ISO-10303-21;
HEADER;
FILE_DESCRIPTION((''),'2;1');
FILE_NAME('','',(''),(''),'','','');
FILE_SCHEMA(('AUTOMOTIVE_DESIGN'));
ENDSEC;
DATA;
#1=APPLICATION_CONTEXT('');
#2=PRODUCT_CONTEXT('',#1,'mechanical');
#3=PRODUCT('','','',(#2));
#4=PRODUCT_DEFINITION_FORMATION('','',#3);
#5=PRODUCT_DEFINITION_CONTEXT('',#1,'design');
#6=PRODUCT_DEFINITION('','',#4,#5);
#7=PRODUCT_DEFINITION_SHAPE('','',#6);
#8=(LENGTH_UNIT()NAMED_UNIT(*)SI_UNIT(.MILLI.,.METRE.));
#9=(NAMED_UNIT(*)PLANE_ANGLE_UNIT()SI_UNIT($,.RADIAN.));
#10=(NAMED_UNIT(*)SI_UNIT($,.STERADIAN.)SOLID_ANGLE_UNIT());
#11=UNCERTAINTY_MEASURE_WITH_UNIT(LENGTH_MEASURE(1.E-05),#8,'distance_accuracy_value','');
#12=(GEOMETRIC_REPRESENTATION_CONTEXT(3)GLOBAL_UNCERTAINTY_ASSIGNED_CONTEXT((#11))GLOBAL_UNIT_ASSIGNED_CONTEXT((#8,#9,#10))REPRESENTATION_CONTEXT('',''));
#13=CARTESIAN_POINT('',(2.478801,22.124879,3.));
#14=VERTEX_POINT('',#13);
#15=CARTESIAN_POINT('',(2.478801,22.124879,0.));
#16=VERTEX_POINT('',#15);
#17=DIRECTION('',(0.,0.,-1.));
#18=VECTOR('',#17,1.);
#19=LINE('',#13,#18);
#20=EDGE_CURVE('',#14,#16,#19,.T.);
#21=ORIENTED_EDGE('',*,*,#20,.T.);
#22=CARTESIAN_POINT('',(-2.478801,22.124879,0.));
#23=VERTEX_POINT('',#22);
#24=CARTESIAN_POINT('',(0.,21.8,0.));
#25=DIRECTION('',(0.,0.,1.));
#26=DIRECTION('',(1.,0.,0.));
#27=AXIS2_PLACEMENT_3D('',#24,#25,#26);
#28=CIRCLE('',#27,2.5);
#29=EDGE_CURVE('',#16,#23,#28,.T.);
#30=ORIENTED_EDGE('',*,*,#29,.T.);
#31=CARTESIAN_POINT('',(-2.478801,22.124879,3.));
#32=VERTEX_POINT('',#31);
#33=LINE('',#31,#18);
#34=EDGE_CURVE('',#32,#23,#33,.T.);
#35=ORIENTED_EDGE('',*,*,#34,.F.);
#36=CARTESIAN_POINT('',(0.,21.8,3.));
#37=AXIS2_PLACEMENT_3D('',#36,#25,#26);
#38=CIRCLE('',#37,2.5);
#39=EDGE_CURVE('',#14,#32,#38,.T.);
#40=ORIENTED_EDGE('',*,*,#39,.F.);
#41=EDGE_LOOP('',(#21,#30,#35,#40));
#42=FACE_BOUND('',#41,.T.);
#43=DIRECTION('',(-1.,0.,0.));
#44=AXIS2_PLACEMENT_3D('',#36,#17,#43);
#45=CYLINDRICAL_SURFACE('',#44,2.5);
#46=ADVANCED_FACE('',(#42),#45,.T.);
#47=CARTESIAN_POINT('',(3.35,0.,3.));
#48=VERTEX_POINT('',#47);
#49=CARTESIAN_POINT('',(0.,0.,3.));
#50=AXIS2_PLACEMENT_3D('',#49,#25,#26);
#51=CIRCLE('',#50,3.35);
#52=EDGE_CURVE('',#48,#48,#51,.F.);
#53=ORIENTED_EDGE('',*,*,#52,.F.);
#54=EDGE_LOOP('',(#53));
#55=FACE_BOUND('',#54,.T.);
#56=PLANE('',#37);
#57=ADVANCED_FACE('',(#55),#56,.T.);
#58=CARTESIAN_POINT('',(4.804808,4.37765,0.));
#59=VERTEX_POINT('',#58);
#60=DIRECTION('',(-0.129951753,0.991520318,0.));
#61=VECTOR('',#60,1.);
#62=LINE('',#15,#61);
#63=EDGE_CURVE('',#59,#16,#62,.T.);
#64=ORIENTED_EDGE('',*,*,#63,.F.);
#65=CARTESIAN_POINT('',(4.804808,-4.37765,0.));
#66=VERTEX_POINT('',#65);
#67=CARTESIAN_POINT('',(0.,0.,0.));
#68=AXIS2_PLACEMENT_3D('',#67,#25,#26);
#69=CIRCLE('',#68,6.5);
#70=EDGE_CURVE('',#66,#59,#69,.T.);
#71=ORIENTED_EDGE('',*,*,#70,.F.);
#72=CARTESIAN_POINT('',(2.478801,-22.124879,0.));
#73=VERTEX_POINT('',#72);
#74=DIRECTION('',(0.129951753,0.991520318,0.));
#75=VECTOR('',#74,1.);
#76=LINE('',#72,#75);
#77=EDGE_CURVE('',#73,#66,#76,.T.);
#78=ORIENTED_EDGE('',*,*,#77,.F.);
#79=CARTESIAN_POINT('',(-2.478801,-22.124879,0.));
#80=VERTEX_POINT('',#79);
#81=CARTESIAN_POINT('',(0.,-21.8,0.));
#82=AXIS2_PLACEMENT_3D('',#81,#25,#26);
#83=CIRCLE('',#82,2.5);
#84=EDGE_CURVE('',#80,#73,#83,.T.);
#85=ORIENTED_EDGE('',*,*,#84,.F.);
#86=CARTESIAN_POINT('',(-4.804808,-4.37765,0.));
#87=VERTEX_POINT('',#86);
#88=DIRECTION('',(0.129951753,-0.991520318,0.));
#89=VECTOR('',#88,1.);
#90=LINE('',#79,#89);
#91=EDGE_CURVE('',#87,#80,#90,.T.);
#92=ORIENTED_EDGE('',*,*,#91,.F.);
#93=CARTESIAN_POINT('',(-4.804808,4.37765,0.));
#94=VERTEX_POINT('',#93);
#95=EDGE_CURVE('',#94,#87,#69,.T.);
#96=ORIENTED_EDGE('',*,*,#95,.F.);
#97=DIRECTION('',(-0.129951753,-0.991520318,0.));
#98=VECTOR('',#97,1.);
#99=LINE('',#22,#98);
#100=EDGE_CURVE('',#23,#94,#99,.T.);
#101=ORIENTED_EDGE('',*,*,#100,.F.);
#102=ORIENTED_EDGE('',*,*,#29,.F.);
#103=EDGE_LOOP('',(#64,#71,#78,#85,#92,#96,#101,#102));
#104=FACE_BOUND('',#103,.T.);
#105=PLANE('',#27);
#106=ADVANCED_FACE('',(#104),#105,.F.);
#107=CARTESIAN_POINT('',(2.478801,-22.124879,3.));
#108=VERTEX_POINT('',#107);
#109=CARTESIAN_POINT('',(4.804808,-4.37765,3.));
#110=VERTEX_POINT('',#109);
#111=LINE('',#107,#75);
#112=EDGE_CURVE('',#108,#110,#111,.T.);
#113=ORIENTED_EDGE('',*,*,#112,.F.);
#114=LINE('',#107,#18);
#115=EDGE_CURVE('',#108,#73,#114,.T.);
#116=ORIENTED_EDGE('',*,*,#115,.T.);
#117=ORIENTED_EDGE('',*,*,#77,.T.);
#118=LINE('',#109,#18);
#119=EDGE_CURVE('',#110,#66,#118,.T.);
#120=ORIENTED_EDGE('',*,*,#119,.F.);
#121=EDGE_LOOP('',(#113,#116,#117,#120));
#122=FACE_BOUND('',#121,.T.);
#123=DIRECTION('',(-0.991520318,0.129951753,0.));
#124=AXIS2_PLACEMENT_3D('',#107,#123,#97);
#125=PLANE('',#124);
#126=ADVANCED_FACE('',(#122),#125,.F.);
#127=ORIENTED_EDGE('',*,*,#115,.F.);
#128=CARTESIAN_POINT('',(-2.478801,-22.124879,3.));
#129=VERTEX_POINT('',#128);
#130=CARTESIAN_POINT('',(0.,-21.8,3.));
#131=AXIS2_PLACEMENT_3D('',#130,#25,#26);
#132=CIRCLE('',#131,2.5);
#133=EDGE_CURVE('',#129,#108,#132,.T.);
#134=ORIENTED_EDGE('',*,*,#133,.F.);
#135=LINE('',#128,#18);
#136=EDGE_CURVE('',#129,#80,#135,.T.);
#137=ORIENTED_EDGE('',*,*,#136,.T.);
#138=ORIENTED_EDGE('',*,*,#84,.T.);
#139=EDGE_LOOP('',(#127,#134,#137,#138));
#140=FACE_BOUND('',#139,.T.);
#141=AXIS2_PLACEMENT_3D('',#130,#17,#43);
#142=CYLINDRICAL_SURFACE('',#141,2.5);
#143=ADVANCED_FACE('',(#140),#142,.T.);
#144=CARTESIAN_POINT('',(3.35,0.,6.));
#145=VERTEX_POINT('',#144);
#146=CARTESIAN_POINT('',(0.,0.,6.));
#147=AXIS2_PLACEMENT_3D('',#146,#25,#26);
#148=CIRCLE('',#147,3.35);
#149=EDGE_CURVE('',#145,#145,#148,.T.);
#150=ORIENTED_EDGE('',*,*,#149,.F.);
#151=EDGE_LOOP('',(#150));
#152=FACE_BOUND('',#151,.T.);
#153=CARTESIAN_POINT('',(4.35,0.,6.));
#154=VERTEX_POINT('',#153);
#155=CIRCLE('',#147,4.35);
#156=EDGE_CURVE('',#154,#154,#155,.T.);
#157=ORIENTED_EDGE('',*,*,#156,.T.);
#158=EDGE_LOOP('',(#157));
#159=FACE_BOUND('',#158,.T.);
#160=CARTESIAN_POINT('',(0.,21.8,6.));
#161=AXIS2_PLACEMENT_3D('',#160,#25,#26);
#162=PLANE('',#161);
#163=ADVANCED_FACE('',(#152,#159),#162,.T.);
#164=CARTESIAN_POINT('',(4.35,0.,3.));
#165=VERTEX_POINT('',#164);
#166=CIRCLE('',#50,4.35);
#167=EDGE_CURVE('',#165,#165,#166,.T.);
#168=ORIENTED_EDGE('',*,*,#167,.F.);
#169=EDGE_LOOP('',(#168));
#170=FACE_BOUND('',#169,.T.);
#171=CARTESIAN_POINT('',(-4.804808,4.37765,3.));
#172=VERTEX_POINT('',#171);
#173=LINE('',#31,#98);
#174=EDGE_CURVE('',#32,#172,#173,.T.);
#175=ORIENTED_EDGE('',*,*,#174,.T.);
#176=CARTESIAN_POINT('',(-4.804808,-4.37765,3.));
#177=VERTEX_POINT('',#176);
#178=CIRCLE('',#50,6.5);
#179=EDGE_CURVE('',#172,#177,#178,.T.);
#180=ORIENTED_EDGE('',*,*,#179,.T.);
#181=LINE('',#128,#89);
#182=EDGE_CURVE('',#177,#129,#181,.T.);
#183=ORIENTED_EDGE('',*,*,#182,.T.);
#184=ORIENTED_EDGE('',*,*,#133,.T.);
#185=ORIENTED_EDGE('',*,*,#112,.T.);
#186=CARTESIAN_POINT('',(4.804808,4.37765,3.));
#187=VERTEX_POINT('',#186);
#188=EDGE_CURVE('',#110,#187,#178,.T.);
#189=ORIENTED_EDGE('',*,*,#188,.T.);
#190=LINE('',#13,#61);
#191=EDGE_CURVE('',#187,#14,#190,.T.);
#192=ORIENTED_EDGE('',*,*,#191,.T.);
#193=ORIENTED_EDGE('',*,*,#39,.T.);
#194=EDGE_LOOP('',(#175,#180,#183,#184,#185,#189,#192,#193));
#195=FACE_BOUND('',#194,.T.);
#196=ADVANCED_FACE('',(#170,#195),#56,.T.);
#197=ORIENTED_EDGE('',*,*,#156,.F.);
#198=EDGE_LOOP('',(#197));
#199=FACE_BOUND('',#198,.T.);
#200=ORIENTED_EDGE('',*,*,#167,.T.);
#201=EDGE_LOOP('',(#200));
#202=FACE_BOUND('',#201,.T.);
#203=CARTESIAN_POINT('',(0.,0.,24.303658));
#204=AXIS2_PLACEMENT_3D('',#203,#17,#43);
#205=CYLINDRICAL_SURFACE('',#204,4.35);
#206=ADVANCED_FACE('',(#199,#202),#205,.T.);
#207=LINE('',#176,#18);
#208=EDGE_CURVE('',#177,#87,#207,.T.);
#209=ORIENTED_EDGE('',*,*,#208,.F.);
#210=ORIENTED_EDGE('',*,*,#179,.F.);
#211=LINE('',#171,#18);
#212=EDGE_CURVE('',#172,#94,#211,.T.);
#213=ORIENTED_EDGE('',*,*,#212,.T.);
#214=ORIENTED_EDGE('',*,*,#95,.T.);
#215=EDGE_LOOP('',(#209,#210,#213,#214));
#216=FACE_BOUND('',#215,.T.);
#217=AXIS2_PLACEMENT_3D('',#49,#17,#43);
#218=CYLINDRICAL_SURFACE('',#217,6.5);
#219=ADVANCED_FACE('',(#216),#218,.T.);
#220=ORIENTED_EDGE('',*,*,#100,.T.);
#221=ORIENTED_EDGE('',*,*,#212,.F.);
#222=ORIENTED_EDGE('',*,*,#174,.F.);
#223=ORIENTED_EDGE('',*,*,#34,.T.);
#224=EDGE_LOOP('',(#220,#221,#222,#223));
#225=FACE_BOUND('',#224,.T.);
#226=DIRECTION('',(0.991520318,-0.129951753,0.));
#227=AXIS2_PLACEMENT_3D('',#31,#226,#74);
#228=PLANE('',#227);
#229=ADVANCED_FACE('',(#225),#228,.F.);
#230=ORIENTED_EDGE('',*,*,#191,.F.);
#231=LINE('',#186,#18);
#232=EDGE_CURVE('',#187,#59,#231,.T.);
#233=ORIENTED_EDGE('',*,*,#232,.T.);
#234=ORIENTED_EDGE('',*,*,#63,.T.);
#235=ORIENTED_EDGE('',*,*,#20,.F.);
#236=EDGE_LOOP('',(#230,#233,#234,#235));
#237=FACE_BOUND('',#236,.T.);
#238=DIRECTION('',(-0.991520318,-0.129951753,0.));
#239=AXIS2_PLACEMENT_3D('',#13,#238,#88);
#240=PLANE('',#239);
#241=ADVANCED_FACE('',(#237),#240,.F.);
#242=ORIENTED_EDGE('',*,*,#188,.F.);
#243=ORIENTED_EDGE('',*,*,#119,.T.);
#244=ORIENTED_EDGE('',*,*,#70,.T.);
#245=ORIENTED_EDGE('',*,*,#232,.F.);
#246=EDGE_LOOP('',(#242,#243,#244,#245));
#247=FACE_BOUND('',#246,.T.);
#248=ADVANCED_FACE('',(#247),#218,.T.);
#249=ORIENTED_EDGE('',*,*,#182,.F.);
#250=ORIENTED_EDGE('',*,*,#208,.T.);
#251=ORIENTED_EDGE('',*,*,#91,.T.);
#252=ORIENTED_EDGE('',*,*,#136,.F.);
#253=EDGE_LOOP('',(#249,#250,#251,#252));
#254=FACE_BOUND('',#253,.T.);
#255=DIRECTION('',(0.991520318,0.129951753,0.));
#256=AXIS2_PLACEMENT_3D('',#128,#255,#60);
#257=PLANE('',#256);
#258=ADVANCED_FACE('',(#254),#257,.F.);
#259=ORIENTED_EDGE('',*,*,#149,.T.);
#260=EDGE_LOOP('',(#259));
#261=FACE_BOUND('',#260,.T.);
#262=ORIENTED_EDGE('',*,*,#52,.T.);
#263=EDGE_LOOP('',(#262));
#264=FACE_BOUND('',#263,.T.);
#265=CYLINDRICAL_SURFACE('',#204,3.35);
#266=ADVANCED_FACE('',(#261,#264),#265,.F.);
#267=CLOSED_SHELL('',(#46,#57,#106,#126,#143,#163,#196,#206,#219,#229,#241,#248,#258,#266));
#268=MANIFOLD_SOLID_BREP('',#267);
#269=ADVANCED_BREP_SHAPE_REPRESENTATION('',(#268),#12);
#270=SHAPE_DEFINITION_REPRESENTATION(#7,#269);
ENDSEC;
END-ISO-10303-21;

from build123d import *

# Parameters (mm, degrees)
EXTRUDE_1_DEPTH   = 3
SKETCH_2_R        = 4.35
SKETCH_2_R_2      = 3.35
EXTRUDE_1_2_DEPTH = 3


with BuildPart() as part:
    # 草图1 → Extrude 1 (new body)
    with BuildSketch(Plane.XY):
        with BuildLine():
            Line((-2.478800796, 22.124879382), (-4.804808177, 4.37764987))
            ThreePointArc((-4.804808177, 4.37764987), (-6.5, 0), (-4.804808177, -4.37764987))
            Line((-4.804808177, -4.37764987), (-2.478800796, -22.124879382))
            ThreePointArc((-2.478800796, -22.124879382), (0, -24.3), (2.478800796, -22.124879382))
            Line((2.478800796, -22.124879382), (4.804808177, -4.37764987))
            ThreePointArc((4.804808177, -4.37764987), (6.5, 0), (4.804808177, 4.37764987))
            Line((4.804808177, 4.37764987), (2.478800796, 22.124879382))
            ThreePointArc((2.478800796, 22.124879382), (0, 24.3), (-2.478800796, 22.124879382))
        make_face()
    extrude(amount=EXTRUDE_1_DEPTH)

    # 草图2 → Extrude 1 2 (add)
    with BuildSketch(Plane.XY.offset(3)):
        Circle(SKETCH_2_R)
        Circle(SKETCH_2_R_2, mode=Mode.SUBTRACT)
    extrude(amount=EXTRUDE_1_2_DEPTH)


solid = part.part
